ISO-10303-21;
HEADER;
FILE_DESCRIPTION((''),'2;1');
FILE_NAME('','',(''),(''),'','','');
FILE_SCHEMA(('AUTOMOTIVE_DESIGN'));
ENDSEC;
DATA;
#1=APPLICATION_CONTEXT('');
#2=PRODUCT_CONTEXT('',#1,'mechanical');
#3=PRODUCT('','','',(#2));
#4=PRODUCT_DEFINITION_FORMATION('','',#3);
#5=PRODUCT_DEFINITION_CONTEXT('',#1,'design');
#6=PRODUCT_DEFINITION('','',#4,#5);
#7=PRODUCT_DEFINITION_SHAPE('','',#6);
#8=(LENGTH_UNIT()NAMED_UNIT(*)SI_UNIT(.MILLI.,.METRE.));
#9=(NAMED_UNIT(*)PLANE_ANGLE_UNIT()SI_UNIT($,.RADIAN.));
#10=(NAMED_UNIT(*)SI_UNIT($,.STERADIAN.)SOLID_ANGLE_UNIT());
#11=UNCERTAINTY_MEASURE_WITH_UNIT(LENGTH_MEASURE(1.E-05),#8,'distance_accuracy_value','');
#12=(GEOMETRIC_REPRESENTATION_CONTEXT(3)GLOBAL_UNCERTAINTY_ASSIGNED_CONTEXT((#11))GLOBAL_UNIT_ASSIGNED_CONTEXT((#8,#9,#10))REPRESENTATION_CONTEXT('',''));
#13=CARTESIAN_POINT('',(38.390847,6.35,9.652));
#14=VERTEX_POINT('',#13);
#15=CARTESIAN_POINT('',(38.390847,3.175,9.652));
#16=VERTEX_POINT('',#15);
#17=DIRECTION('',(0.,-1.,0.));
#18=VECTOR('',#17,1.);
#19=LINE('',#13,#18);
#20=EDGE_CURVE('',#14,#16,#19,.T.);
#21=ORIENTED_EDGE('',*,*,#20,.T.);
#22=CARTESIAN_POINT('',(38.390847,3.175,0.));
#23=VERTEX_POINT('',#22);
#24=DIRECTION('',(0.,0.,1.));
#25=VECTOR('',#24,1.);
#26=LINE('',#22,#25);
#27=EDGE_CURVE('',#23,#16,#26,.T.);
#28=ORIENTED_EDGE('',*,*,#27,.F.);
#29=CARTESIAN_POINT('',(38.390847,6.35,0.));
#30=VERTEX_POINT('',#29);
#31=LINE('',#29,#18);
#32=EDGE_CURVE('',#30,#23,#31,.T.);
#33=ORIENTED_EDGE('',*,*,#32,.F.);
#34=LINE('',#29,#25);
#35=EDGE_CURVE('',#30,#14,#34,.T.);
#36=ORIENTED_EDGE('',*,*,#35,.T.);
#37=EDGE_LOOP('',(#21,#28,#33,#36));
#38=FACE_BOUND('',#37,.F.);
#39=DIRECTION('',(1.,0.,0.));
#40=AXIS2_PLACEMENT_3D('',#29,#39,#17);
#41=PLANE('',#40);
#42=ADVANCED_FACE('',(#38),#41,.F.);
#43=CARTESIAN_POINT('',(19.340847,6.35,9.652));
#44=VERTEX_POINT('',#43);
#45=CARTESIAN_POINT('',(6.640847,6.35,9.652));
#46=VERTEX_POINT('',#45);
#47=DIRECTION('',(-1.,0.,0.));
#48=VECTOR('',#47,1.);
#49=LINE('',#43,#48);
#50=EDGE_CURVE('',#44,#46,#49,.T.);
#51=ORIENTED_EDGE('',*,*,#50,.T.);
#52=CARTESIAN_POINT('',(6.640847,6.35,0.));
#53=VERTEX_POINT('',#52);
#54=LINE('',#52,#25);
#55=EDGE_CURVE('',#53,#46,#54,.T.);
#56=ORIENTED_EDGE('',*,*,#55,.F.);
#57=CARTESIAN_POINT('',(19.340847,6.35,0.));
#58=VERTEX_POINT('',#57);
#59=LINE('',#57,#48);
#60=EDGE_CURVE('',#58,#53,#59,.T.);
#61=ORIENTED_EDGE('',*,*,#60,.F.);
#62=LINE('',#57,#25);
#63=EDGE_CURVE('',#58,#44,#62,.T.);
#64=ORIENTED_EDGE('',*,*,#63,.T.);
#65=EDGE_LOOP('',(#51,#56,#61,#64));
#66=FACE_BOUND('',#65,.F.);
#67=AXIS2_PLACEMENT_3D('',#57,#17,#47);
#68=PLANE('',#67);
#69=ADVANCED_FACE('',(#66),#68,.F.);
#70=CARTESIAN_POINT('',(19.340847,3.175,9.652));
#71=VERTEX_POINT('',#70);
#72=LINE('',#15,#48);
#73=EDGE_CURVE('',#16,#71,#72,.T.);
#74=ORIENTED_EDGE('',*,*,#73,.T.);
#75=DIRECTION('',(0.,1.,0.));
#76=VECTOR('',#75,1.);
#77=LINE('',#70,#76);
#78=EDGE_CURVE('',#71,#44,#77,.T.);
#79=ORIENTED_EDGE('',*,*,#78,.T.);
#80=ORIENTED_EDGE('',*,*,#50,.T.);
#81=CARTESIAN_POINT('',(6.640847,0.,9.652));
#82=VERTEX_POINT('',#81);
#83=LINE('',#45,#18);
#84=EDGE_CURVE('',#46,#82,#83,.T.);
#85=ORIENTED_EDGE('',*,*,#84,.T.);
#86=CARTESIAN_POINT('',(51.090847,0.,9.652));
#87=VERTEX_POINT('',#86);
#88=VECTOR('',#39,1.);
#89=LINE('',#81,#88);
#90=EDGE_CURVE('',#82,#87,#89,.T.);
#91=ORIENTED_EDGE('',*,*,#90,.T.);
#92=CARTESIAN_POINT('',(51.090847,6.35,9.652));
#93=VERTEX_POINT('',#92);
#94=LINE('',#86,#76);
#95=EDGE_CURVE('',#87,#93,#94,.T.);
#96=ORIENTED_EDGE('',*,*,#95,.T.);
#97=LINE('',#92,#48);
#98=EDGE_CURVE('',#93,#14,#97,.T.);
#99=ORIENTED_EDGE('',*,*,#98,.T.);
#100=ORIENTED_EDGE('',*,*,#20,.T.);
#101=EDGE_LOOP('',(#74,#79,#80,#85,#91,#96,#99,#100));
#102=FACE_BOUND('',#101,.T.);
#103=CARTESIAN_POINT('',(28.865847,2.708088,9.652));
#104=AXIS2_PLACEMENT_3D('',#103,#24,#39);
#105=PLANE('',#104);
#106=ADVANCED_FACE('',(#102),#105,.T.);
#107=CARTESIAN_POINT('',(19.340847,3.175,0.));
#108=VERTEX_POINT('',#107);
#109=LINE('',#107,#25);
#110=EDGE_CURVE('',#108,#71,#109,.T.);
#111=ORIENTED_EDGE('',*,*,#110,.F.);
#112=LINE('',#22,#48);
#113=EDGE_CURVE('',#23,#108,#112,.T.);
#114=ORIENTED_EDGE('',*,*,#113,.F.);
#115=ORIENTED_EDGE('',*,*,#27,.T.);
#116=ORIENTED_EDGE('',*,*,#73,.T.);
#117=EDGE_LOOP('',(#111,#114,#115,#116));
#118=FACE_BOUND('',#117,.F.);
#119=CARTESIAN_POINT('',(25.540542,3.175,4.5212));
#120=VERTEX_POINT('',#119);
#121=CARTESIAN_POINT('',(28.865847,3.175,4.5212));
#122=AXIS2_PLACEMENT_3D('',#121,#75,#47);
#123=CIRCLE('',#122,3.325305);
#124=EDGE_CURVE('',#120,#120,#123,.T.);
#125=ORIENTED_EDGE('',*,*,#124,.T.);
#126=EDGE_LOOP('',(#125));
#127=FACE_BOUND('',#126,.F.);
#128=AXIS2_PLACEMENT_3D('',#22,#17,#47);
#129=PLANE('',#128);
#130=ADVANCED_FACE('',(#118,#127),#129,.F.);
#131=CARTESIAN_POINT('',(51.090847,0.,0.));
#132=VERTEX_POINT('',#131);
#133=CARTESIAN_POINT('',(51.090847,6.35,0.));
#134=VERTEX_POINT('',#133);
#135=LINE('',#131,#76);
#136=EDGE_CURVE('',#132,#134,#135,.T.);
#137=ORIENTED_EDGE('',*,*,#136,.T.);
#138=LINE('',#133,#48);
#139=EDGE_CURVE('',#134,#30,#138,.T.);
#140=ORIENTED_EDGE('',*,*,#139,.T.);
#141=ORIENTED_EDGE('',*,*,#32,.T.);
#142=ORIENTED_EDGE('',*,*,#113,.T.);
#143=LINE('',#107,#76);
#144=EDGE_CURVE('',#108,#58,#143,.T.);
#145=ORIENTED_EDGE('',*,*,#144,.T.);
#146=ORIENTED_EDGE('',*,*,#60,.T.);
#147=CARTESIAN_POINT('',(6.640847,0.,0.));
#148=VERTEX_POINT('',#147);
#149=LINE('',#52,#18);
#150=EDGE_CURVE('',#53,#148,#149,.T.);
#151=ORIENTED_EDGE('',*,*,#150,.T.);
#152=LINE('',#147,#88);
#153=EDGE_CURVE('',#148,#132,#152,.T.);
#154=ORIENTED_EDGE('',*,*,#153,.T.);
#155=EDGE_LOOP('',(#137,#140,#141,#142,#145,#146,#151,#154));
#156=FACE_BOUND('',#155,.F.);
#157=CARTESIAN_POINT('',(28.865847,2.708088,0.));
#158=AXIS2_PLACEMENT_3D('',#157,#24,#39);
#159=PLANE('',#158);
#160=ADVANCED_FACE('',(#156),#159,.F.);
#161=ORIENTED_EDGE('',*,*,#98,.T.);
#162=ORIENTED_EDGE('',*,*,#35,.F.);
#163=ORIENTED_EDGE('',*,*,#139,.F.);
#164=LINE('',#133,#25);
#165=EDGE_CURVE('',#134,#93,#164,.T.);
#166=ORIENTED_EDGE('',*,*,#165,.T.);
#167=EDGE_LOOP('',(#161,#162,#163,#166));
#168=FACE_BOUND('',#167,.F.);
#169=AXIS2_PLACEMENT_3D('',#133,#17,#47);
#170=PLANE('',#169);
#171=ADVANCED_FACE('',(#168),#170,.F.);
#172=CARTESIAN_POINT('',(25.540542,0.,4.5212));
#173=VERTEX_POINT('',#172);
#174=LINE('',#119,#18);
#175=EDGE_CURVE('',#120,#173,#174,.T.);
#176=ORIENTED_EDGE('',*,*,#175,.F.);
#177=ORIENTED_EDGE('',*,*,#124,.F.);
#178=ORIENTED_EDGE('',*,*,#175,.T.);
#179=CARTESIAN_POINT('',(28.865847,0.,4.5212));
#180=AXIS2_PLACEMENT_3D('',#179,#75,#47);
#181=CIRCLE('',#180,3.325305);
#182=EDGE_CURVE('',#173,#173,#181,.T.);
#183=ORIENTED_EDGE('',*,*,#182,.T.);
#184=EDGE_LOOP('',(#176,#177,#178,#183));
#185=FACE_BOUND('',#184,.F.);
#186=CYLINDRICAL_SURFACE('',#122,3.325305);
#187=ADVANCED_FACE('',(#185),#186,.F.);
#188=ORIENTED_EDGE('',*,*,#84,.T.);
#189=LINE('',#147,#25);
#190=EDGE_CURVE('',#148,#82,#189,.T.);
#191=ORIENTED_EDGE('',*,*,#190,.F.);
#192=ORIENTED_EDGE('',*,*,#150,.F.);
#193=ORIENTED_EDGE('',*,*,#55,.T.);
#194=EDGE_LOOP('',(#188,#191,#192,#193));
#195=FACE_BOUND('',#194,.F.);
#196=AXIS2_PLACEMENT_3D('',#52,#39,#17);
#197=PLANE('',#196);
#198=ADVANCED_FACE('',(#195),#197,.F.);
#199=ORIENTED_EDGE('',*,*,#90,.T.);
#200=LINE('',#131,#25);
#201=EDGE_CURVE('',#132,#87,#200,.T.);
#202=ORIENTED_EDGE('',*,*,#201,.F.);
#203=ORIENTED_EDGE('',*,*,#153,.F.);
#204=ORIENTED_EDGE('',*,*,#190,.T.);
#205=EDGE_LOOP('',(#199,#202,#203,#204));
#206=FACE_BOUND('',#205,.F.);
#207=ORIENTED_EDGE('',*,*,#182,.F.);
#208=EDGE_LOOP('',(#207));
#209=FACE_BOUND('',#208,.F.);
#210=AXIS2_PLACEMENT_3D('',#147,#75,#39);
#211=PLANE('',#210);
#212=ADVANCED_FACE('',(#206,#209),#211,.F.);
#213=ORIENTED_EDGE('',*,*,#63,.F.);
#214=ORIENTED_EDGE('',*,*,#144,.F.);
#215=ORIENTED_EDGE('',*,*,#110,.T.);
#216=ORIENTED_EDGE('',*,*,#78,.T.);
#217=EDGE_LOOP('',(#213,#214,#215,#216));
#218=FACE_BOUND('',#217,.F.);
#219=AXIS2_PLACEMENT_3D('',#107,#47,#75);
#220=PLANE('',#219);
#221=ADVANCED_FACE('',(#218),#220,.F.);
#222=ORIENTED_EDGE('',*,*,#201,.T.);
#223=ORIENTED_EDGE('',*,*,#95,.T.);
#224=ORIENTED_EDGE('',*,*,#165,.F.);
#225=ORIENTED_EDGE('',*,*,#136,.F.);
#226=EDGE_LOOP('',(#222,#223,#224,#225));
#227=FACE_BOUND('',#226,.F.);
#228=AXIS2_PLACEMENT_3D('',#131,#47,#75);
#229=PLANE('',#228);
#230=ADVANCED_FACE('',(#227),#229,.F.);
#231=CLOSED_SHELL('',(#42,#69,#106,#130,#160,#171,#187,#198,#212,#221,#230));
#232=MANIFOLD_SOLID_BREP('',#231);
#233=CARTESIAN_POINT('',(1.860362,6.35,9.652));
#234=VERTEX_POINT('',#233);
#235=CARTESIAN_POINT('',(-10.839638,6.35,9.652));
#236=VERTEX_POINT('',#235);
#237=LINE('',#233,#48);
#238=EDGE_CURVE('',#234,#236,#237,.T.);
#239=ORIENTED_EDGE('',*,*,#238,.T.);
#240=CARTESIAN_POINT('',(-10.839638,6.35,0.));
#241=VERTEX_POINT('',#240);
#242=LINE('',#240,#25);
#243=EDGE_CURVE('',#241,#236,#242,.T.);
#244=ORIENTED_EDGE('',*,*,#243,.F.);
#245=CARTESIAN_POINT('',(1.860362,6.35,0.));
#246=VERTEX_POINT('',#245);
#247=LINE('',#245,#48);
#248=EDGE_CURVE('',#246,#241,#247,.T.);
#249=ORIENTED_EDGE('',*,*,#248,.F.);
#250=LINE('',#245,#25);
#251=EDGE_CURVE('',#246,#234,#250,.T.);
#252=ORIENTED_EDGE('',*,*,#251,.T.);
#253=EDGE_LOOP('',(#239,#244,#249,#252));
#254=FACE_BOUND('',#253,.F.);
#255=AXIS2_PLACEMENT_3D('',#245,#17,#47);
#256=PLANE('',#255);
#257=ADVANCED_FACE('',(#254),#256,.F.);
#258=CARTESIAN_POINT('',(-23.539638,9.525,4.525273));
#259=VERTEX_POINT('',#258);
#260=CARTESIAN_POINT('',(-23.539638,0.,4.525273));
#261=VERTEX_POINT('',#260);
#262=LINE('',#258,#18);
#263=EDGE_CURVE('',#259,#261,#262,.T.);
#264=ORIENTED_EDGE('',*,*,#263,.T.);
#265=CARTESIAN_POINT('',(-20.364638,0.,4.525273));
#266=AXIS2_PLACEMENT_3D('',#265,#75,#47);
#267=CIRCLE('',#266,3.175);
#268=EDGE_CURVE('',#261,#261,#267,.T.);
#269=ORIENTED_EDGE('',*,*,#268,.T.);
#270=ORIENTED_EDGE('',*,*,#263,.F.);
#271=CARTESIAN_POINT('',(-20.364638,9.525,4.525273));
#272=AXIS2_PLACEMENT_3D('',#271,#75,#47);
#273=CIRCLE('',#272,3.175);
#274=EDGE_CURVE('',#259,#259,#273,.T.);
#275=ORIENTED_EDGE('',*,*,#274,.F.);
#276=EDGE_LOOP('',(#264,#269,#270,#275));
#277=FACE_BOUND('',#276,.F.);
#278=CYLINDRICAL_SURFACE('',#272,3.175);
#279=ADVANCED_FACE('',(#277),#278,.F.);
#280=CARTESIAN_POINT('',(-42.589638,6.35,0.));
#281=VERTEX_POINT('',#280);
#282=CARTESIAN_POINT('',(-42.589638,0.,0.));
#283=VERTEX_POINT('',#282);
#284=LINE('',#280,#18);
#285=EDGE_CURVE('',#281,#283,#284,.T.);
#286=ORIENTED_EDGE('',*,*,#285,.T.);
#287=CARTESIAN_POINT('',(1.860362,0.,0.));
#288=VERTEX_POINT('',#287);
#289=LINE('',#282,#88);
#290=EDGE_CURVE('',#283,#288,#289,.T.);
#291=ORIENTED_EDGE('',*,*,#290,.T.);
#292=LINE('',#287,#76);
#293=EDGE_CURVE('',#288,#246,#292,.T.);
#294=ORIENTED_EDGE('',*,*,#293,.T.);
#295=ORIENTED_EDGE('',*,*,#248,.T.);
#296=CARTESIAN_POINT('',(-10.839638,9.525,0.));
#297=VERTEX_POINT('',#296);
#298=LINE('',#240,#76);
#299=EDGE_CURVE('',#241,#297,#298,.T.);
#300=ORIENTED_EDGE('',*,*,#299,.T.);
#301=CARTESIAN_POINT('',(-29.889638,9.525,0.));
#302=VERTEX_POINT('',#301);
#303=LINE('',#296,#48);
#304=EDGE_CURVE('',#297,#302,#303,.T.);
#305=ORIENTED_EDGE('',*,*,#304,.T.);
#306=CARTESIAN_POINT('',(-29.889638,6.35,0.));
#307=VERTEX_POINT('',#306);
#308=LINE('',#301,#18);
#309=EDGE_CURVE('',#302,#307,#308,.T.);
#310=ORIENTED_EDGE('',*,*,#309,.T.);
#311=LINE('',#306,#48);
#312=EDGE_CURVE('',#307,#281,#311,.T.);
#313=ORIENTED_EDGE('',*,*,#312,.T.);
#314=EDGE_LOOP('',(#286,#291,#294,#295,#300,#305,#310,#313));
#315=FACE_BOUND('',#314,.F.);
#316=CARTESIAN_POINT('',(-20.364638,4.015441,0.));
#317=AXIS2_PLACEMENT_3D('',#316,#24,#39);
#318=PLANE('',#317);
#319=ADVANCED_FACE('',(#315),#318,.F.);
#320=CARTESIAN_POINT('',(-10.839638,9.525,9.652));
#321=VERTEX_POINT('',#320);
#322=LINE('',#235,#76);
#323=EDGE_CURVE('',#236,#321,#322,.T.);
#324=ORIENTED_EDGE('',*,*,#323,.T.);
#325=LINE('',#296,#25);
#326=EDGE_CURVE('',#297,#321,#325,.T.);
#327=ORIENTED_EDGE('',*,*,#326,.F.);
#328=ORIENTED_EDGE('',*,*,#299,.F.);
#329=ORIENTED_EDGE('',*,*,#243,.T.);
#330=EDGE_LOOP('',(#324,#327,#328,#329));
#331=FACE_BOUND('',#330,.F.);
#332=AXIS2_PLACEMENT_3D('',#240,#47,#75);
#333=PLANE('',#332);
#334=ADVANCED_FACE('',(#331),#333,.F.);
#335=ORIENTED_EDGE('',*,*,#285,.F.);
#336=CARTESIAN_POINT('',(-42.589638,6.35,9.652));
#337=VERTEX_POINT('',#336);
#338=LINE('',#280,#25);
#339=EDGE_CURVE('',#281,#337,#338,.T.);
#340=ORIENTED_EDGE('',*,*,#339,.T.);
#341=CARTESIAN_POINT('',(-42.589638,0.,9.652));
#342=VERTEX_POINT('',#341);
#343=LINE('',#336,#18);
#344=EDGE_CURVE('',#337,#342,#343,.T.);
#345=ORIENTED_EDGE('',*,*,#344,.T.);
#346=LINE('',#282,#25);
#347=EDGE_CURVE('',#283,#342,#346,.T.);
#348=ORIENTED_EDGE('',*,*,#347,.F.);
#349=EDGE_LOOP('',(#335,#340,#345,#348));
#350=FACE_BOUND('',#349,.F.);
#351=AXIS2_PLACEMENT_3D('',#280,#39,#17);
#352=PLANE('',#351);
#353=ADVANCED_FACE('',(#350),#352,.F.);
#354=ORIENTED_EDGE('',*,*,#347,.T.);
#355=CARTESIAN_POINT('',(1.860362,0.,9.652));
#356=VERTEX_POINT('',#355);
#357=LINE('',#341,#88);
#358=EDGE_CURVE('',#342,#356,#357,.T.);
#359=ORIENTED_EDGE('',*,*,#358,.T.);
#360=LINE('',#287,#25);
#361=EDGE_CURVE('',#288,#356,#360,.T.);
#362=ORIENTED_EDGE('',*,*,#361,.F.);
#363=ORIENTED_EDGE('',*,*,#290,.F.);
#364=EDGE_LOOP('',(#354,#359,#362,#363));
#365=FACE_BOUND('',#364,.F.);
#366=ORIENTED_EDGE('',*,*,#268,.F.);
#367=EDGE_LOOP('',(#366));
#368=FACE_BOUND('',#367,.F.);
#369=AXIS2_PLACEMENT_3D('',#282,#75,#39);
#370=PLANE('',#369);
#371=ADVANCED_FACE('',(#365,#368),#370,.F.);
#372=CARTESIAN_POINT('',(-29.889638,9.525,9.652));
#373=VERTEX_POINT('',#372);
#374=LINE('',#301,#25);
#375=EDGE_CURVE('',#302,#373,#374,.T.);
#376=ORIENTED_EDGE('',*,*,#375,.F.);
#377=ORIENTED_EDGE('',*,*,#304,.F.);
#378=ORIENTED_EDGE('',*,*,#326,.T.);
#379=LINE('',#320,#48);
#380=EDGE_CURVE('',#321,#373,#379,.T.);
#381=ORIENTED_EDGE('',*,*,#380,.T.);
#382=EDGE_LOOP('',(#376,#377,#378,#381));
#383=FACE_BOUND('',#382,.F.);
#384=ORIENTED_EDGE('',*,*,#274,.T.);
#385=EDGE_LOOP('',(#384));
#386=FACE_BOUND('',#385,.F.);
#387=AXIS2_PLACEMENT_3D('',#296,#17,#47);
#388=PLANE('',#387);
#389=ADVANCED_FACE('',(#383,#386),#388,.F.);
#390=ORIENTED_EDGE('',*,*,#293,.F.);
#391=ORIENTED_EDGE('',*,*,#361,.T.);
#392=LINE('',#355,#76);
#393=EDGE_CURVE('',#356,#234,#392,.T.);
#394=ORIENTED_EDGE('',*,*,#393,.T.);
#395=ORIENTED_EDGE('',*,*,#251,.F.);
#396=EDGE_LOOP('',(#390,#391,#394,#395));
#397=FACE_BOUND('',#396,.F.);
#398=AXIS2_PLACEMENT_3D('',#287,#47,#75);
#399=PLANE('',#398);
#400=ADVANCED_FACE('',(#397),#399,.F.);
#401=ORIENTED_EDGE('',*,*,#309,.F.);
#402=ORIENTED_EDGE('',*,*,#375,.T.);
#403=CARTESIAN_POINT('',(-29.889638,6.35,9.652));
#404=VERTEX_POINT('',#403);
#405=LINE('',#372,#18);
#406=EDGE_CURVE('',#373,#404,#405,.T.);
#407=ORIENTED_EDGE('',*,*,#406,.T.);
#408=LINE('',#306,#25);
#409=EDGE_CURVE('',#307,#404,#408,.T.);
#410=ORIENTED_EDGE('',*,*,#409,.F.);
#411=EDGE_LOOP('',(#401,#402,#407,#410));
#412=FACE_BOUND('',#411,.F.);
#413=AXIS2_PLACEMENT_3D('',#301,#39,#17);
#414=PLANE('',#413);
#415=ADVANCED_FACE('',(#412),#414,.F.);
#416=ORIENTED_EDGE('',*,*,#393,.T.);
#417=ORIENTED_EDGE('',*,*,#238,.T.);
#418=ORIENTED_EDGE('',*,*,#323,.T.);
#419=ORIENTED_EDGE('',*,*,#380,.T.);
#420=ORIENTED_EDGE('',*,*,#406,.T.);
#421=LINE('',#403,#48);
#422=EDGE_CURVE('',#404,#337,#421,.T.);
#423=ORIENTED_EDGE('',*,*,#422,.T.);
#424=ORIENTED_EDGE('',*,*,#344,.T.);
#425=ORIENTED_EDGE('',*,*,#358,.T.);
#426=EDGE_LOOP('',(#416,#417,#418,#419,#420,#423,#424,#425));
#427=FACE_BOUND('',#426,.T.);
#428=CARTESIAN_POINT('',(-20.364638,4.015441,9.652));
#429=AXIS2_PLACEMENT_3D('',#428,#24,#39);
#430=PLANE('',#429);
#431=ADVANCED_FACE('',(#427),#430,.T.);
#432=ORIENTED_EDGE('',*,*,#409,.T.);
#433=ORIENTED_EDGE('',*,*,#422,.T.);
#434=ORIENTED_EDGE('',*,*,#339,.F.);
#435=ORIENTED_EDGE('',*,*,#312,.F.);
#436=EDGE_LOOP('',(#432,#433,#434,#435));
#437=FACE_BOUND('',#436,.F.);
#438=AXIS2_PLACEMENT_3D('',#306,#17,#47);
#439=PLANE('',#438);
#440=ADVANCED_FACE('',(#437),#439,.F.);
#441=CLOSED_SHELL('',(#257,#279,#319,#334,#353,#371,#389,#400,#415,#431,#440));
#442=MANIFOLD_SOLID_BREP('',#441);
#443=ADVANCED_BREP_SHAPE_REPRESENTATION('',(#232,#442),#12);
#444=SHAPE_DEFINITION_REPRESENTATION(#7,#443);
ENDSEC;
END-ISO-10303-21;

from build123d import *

# Parameters (mm, degrees)
F1_DEPTH = 9.652
F2_DEPTH = 9.652
F3_R     = 3.175
F4_DEPTH = 25.4
F5_R     = 3.325305
F6_DEPTH = 25.4


with BuildPart() as f1:
    # F0 (on Top) → F1 (new body)
    with BuildSketch(Plane.XY):
        Polygon((19.340847, 6.35), (6.640847, 6.35), (6.640847, 0), (51.090847, 0), (51.090847, 6.35), (38.390847, 6.35), (38.390847, 3.175), (19.340847, 3.175), align=None)
    extrude(amount=F1_DEPTH)

    # F0 (on Top) → F2 (join)
    with BuildSketch(Plane.XY):
        Polygon((19.340847, 6.35), (6.640847, 6.35), (6.640847, 0), (51.090847, 0), (51.090847, 6.35), (38.390847, 6.35), (38.390847, 3.175), (19.340847, 3.175), align=None)
        Polygon((-29.889638, 6.35), (-42.589638, 6.35), (-42.589638, 0), (1.860362, 0), (1.860362, 6.35), (-10.839638, 6.35), (-10.839638, 9.525), (-29.889638, 9.525), align=None)
    extrude(amount=F2_DEPTH)

    # F3 (on face) → F4 (cut)
    with BuildSketch(Plane(origin=(0, 9.525, 0), x_dir=(-1, 0, 0), z_dir=(0, 1, 0))):
        with Locations((20.364638, 4.525273)):
            Circle(F3_R)
    extrude(amount=-F4_DEPTH, mode=Mode.SUBTRACT)

    # F5 (on face) → F6 (cut)
    with BuildSketch(Plane(origin=(0, 3.175, 0), x_dir=(-1, 0, 0), z_dir=(0, 1, 0))):
        with Locations((-28.865847, 4.5212)):
            Circle(F5_R)
    extrude(amount=-F6_DEPTH, mode=Mode.SUBTRACT)


solid = f1.part
